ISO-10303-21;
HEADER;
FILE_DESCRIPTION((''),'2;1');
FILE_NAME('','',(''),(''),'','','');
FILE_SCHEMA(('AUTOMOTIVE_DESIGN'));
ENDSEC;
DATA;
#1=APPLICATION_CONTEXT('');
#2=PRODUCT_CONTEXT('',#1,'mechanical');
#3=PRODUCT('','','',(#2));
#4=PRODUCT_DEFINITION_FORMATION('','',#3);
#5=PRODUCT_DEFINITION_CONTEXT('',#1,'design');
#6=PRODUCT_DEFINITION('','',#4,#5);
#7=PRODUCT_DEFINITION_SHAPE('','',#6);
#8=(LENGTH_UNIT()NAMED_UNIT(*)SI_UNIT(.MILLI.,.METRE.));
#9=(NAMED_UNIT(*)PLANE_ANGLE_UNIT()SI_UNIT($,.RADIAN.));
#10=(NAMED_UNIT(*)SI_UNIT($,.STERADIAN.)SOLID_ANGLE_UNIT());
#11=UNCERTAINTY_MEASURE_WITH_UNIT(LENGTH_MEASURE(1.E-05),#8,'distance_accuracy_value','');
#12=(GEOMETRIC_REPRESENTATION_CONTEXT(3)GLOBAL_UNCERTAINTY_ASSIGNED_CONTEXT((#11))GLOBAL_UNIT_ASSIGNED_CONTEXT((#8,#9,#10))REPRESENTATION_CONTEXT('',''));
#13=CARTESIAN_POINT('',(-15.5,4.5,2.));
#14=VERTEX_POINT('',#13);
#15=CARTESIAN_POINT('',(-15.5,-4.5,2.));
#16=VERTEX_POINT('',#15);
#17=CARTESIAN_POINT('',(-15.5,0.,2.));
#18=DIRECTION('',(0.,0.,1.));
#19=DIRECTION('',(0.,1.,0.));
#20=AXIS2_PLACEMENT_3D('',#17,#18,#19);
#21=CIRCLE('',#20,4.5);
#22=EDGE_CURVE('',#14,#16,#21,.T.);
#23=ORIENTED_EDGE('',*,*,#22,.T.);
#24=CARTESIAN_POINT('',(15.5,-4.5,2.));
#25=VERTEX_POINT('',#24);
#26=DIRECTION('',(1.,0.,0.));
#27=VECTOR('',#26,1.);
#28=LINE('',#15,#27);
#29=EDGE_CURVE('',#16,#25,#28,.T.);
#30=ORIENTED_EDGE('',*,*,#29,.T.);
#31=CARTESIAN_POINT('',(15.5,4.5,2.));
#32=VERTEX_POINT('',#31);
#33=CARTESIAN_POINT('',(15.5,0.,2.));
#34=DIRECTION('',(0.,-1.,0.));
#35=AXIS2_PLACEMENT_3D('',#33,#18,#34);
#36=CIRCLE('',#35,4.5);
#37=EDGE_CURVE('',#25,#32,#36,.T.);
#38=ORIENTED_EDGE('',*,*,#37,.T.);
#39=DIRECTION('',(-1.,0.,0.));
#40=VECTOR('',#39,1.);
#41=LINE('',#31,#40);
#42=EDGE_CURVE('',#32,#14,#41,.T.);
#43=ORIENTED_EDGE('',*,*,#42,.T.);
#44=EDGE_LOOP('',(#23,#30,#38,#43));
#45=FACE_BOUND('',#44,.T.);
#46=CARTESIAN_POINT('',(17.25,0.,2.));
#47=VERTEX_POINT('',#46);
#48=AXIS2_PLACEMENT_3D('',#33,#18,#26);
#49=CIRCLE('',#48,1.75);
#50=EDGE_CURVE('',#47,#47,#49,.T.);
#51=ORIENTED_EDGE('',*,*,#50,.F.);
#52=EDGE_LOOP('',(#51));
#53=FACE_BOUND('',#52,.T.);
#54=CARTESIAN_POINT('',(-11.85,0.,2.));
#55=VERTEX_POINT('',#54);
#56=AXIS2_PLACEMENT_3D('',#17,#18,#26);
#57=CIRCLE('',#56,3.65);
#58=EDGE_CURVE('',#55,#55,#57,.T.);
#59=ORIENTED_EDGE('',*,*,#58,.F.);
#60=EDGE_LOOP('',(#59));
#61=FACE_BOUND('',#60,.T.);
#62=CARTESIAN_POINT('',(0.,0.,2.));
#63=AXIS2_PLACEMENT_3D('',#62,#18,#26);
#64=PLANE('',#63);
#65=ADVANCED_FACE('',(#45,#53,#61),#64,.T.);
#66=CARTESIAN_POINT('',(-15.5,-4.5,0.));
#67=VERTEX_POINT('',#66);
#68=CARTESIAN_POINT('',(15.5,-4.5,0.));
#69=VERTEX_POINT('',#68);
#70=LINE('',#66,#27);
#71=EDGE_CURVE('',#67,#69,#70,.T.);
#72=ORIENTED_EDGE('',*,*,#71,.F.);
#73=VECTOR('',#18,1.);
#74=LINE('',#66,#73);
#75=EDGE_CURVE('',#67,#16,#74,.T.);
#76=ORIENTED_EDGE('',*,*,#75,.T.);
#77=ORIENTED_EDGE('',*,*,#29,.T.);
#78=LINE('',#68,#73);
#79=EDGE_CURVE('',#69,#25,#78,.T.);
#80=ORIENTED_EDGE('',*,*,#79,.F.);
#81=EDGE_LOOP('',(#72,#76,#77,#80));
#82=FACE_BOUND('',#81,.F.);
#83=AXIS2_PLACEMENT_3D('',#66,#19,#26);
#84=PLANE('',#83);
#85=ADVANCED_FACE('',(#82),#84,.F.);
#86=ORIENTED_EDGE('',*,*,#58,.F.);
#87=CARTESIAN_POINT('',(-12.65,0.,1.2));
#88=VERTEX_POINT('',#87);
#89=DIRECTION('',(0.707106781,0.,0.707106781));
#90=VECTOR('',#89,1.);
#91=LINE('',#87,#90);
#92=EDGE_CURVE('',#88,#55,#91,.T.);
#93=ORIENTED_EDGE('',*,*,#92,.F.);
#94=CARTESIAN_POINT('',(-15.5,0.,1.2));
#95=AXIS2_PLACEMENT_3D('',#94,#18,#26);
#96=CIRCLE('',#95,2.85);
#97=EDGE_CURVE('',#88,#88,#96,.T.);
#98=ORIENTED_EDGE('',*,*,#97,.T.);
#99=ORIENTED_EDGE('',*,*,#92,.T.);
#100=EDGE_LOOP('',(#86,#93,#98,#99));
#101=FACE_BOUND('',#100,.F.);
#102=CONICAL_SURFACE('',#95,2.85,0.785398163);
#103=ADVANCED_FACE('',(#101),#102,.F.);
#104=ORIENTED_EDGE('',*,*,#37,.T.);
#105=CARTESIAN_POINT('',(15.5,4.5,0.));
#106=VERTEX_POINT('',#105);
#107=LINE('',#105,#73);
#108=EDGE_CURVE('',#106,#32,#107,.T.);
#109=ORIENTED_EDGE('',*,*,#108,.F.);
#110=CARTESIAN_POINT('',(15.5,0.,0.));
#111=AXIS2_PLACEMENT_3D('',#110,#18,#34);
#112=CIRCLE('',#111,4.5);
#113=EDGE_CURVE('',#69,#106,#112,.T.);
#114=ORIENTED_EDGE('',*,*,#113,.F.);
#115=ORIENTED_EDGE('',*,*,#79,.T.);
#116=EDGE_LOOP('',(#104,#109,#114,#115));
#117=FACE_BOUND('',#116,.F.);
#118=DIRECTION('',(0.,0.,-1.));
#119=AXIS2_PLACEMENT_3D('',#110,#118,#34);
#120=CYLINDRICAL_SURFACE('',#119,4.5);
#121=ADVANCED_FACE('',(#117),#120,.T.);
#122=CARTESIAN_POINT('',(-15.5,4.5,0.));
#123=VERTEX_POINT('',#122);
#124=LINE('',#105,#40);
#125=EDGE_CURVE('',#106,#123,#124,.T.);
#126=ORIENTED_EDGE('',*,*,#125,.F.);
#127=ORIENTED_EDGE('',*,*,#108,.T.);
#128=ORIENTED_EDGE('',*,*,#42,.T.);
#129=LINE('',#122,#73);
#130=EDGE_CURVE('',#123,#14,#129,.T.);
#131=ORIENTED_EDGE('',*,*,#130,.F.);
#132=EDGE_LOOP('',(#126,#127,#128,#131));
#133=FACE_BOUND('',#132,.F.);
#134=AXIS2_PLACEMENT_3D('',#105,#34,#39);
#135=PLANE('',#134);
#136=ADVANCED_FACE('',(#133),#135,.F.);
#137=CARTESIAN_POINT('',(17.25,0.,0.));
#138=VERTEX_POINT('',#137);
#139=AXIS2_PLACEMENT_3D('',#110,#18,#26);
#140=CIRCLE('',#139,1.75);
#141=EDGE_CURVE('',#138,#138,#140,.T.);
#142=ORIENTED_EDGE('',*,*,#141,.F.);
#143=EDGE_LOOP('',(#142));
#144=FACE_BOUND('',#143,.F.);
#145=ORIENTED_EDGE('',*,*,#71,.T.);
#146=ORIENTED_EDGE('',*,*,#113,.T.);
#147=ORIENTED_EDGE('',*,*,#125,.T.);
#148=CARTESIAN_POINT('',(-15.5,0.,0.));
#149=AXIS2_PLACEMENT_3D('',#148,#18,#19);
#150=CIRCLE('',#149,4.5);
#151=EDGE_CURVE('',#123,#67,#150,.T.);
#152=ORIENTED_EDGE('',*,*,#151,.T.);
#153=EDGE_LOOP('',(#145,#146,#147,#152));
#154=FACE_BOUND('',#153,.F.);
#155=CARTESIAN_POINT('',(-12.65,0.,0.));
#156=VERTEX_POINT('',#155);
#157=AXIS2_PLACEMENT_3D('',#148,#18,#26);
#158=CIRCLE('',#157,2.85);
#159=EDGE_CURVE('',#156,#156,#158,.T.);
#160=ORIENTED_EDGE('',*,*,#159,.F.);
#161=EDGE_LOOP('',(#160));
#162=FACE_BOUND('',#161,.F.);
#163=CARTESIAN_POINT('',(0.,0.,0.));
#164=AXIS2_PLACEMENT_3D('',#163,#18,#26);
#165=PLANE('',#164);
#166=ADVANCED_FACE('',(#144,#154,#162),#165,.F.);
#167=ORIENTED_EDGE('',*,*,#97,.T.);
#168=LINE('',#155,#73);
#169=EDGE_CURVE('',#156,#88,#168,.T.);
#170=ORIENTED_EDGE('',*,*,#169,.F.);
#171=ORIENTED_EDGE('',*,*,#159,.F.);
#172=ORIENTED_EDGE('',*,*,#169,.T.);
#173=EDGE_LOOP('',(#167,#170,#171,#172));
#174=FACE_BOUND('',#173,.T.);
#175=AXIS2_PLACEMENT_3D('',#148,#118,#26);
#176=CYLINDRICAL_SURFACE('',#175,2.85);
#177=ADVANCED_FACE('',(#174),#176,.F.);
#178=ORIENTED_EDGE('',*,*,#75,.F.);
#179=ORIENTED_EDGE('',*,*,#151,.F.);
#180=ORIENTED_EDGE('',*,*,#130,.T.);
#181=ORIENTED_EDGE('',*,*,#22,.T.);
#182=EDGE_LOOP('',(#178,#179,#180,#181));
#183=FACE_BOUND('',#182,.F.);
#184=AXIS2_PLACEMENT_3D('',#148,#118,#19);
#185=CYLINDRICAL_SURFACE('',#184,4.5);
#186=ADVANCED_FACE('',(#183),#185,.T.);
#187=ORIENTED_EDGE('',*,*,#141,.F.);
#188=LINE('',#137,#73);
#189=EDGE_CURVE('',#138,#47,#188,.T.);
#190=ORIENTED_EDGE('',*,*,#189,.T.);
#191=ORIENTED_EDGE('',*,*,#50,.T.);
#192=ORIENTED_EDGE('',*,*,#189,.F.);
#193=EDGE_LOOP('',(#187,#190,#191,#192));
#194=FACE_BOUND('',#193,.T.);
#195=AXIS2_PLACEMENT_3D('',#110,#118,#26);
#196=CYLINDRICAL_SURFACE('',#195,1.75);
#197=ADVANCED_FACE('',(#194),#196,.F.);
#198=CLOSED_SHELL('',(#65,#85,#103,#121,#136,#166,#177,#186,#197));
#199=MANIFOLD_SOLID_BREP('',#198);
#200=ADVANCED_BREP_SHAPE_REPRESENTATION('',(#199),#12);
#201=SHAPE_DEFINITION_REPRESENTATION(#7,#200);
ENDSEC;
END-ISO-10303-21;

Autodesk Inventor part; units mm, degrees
ref_plane "YZ Plane" through (0, 0, 0) normal (1, 0, 0) x (0, 1, 0)
ref_plane "XZ Plane" through (0, 0, 0) normal (0, 1, 0) x (-1, 0, 0)
ref_plane "XY Plane" through (0, 0, 0) normal (0, 0, 1) x (1, 0, 0)
sketch "Sketch1" plane through (0, 0, 0) normal (0, 0, 1) x (1, 0, 0)
  line L0 (-15.5, 0) -> (15.5, 0) construction
  line L1 (-15.5, -4.5) -> (15.5, -4.5)
  line L2 (15.5, 4.5) -> (-15.5, 4.5)
  arc A0 (-15.5, 4.5) -> (-15.5, -4.5) centre (-15.5, 0) ccw
  arc A1 (15.5, -4.5) -> (15.5, 4.5) centre (15.5, 0) ccw
  circle A2 centre (-15.5, 0) radius 2.85
  circle A3 centre (15.5, 0) radius 1.75
  point P0 (0, 0)
  point P1 (0, 0)
  dimension "d0" = 9
  dimension "d1" = 31
  dimension "d2" = 5.7
  dimension "d3" = 3.5
extrude "Extrusion1" add sketch "Sketch1" along normal blind 2
chamfer "Chamfer1" distance 0.8 angle 45 1 edges at (-18.35, 0, 2)
properties part number "gripper_mechanism2"
